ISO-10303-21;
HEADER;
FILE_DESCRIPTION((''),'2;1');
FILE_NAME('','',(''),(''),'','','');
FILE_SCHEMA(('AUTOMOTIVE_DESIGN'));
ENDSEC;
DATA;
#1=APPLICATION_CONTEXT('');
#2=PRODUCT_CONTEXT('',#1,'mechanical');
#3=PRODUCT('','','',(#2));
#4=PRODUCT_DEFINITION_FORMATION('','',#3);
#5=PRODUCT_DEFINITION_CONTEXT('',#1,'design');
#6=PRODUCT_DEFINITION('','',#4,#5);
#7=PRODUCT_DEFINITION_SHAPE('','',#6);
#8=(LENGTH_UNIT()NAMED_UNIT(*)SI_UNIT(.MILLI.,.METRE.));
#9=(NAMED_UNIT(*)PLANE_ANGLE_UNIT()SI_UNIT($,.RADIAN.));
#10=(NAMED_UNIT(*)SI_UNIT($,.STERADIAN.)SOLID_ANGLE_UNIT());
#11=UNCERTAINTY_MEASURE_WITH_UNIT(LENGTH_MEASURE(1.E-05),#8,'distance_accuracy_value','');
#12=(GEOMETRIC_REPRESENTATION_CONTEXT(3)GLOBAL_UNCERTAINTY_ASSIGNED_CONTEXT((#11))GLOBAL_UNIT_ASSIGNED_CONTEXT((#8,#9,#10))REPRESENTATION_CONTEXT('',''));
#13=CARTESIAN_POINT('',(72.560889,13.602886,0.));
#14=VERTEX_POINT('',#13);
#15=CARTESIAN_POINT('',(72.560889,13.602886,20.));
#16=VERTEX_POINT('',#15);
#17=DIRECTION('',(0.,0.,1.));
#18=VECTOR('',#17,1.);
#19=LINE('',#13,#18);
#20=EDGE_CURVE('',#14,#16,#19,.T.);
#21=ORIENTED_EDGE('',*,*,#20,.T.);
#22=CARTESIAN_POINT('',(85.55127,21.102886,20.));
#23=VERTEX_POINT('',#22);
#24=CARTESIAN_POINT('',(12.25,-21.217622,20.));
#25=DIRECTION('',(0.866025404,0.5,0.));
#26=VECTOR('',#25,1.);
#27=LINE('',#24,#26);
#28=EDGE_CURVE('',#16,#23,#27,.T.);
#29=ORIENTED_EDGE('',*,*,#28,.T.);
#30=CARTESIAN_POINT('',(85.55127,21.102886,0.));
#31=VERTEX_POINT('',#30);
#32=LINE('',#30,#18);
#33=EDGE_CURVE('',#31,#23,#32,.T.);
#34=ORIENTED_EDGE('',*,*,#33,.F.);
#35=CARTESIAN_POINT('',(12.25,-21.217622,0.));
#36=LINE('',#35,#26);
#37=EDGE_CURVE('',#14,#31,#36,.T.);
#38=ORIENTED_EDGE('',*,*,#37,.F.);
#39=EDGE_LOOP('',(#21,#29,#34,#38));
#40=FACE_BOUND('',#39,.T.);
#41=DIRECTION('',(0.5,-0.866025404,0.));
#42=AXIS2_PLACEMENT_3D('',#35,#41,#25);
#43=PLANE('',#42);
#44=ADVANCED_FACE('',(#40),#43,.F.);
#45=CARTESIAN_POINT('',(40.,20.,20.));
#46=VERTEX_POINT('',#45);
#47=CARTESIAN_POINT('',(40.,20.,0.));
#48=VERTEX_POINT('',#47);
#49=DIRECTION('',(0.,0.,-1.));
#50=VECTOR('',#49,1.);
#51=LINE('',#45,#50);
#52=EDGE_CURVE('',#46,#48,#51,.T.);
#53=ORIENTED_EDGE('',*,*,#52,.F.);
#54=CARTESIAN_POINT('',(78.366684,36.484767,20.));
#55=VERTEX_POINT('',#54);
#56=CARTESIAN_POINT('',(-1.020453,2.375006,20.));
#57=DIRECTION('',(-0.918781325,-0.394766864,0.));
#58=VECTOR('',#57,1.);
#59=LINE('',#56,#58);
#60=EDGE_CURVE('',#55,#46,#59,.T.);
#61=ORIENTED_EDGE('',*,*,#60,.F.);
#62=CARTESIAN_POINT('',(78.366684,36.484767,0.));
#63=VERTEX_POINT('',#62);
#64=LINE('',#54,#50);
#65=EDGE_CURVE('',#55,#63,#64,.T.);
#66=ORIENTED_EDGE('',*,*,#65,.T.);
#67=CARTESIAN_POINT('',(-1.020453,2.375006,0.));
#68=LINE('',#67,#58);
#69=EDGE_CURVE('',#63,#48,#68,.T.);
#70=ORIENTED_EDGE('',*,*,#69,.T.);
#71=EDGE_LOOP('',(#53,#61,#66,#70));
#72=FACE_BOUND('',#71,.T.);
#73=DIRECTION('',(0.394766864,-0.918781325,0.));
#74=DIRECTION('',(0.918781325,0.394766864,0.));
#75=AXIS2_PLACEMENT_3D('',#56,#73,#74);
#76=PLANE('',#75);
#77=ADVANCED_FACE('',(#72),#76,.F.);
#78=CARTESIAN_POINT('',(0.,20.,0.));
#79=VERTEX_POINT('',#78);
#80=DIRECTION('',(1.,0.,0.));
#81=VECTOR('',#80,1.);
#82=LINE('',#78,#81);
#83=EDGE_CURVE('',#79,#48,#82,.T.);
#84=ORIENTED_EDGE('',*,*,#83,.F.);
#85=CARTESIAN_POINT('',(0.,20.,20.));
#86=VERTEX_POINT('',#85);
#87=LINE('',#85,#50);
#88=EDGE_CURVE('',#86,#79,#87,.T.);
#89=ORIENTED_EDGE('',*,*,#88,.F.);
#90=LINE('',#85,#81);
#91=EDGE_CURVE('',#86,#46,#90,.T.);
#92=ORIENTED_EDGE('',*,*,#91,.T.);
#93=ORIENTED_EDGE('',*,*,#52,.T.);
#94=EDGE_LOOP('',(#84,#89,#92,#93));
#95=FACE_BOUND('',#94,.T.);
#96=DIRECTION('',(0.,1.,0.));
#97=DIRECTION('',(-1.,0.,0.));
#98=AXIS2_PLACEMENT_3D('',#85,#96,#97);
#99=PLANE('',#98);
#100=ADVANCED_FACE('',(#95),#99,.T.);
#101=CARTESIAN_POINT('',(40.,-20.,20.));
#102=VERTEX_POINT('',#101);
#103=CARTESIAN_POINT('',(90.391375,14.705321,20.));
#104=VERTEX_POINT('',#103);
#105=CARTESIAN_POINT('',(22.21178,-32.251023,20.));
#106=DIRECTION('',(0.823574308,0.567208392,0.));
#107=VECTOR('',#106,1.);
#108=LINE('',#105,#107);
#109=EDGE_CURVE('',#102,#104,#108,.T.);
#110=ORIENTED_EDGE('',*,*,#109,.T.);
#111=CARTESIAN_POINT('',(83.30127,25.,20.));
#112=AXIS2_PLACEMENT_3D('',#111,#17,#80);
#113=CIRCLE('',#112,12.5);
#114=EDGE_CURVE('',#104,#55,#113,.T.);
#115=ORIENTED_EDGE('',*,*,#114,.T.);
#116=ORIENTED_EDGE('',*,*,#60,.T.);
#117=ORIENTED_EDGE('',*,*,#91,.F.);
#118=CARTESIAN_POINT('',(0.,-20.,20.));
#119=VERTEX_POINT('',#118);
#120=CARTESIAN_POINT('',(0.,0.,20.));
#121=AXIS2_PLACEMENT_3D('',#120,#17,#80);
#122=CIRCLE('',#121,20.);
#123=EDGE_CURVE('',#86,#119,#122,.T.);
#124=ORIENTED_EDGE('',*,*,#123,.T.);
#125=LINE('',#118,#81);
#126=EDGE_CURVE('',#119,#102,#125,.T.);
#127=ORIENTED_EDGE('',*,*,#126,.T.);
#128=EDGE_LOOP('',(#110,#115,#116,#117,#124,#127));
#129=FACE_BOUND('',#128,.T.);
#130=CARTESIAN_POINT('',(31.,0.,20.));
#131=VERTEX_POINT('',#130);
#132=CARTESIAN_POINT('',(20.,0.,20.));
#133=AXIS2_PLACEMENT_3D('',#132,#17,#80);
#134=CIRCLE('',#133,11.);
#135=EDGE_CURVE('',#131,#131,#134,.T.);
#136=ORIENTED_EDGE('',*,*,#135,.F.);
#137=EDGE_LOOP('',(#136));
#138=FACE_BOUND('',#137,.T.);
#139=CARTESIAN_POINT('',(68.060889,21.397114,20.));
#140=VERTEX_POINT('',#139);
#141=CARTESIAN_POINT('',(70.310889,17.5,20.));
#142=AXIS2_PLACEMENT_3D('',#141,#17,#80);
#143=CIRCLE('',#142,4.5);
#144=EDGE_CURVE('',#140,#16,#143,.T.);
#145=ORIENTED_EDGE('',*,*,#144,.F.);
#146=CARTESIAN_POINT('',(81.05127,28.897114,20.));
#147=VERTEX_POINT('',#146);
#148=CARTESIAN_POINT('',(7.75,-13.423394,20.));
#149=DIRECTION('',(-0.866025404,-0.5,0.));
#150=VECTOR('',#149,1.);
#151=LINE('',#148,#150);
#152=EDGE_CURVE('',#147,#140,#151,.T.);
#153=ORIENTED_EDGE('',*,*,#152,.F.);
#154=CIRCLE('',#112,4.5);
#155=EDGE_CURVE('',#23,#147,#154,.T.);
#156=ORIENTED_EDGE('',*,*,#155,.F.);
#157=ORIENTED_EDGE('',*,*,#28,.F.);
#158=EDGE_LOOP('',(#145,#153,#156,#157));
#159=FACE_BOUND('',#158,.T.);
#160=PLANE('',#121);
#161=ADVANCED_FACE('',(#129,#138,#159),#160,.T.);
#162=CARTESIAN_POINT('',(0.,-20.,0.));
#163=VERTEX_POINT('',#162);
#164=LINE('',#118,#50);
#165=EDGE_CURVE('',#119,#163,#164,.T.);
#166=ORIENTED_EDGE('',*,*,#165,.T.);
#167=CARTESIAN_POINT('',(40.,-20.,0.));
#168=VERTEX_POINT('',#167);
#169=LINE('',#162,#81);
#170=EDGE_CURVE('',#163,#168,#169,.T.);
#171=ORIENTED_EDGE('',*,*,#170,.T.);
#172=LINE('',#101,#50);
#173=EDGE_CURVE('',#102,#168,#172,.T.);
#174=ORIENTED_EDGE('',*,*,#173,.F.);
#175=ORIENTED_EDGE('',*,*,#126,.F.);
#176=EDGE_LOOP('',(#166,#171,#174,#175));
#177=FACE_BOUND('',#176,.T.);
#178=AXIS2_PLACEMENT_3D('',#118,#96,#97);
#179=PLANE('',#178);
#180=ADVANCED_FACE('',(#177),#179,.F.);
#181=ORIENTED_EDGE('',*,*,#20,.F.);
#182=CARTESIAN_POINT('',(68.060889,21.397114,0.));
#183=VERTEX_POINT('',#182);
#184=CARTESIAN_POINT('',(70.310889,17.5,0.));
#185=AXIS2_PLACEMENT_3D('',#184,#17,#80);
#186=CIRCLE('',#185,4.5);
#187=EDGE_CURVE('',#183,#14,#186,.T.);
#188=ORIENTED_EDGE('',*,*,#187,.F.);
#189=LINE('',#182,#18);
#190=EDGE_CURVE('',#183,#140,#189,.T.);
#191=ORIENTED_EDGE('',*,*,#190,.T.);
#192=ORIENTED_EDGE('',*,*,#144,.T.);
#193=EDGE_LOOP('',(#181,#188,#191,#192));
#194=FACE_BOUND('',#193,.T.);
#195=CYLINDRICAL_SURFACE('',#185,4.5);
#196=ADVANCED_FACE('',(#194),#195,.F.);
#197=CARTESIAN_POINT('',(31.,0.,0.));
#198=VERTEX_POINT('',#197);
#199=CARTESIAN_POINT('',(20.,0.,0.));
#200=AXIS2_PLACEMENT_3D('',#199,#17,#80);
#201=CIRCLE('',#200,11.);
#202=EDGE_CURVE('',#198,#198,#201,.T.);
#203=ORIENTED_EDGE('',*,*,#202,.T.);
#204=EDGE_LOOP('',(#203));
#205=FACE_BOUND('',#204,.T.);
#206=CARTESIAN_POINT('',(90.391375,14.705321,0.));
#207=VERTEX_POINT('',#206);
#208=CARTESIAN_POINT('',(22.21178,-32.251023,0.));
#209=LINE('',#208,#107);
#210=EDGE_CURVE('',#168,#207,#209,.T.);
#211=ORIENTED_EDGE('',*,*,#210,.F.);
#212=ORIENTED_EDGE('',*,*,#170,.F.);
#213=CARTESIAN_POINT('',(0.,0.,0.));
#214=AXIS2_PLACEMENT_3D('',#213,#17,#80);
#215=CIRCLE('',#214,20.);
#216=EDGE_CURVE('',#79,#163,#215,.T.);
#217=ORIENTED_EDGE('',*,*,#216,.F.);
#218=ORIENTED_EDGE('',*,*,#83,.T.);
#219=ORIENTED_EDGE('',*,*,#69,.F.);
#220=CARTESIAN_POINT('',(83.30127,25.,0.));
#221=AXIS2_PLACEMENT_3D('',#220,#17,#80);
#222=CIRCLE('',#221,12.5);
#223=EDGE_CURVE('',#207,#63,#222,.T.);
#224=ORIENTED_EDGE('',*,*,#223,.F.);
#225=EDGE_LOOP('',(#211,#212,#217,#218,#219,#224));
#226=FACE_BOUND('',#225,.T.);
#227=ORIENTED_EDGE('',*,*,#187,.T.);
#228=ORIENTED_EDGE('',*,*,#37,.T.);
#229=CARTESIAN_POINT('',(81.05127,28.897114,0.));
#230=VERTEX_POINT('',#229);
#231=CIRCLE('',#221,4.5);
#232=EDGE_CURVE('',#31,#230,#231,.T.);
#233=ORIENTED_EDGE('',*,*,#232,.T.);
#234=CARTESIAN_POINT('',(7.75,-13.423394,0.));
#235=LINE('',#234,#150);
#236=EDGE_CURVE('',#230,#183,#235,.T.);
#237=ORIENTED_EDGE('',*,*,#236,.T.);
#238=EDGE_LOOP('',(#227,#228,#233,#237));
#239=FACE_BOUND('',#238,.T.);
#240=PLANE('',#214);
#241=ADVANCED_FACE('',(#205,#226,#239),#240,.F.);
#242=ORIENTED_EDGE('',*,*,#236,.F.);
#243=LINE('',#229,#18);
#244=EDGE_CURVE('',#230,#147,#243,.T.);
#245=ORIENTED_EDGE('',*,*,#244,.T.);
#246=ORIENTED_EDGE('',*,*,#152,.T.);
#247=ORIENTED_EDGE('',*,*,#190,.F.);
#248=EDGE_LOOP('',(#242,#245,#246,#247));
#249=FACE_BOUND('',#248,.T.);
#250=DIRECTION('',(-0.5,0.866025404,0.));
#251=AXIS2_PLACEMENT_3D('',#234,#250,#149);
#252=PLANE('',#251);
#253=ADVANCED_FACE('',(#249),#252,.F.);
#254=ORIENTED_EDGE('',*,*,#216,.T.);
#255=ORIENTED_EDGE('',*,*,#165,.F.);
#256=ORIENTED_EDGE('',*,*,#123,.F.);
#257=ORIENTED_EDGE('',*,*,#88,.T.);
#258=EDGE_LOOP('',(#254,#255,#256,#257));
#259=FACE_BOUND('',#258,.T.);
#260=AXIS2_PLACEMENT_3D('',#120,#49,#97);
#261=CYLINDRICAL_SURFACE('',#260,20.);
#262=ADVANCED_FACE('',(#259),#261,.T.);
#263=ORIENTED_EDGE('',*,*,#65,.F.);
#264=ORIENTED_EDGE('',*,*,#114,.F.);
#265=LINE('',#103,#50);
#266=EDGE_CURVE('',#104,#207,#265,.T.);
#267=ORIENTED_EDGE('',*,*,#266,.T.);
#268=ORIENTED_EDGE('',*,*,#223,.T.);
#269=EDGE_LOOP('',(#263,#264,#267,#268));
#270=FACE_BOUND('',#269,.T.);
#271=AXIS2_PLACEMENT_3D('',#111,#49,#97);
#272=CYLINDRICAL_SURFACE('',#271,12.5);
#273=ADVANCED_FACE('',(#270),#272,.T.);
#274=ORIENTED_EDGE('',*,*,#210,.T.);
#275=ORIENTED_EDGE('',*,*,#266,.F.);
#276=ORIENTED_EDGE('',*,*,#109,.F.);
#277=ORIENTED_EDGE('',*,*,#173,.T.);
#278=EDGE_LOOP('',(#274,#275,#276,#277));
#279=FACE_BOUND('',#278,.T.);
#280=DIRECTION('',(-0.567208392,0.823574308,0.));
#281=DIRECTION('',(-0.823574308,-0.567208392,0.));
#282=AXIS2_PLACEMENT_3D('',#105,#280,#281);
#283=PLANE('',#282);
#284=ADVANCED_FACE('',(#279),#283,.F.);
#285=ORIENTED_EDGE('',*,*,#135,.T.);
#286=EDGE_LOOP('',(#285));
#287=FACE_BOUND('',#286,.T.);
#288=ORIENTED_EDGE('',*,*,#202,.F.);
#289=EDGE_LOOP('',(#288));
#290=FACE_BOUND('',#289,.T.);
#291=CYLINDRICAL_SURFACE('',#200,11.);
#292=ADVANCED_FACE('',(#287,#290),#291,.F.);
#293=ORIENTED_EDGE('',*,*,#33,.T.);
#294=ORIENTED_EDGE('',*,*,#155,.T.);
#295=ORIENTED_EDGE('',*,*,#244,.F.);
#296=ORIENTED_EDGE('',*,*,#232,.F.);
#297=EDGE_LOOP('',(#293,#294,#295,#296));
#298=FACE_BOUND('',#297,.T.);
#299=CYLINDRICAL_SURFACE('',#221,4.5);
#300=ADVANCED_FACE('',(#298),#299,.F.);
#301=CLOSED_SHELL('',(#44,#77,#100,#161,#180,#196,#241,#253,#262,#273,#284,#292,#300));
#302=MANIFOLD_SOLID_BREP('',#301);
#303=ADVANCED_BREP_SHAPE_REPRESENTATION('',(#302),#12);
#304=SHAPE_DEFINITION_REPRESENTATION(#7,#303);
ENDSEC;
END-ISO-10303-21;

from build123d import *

# Parameters (mm, degrees)
EXTRUDE_1_DEPTH     = 20
SKETCH_2_R          = 12.5
EXTRUDE_2_DEPTH     = 20
SKETCH_3_R          = 4.5
SKETCH_3_R_2        = 11
CUT_EXTRUDE_1_DEPTH = 105.805216329


with BuildPart() as part:
    # Эскиз1 → Бобышка-Вытянуть1 (new body)
    with BuildSketch(Plane.XY):
        with BuildLine():
            Line((0, 20), (40, 20))
            Line((40, 20), (40, -20))
            Line((40, -20), (0, -20))
            ThreePointArc((0, -20), (-20, 0), (0, 20))
        make_face()
    extrude(amount=EXTRUDE_1_DEPTH)

    # Эскиз2 → Бобышка-Вытянуть2 (add)
    with BuildSketch(Plane.XY):
        with BuildLine():
            ThreePointArc((90.39137509, 14.705321156), (72.358344337, 18.958280561), (78.366684393, 36.484766564))
            Line((78.366684393, 36.484766564), (40, 20))
            Line((40, 20), (40, -20))
            Line((40, -20), (90.39137509, 14.705321156))
        make_face()
        with Locations((83.301270189, 25)):
            Circle(SKETCH_2_R)
    extrude(amount=EXTRUDE_2_DEPTH)

    # Эскиз3 → Вырез-Вытянуть1 (cut, through all)
    with BuildSketch(Plane.XY.offset(20)):
        with BuildLine():
            ThreePointArc((85.551270189, 21.102885683), (79.404155872, 22.75), (81.051270189, 28.897114317))
            Line((81.051270189, 28.897114317), (68.060889132, 21.397114317))
            ThreePointArc((68.060889132, 21.397114317), (72.560889132, 21.397114317), (74.810889132, 17.5))
            ThreePointArc((74.810889132, 17.5), (74.208003449, 15.25), (72.560889132, 13.602885683))
            Line((72.560889132, 13.602885683), (85.551270189, 21.102885683))
        make_face()
        with Locations((83.301270189, 25)):
            Circle(SKETCH_3_R)
        with Locations((20, 0)):
            Circle(SKETCH_3_R_2)
        with Locations((70.310889132, 17.5)):
            Circle(SKETCH_3_R)
    extrude(amount=-CUT_EXTRUDE_1_DEPTH, mode=Mode.SUBTRACT)


solid = part.part
